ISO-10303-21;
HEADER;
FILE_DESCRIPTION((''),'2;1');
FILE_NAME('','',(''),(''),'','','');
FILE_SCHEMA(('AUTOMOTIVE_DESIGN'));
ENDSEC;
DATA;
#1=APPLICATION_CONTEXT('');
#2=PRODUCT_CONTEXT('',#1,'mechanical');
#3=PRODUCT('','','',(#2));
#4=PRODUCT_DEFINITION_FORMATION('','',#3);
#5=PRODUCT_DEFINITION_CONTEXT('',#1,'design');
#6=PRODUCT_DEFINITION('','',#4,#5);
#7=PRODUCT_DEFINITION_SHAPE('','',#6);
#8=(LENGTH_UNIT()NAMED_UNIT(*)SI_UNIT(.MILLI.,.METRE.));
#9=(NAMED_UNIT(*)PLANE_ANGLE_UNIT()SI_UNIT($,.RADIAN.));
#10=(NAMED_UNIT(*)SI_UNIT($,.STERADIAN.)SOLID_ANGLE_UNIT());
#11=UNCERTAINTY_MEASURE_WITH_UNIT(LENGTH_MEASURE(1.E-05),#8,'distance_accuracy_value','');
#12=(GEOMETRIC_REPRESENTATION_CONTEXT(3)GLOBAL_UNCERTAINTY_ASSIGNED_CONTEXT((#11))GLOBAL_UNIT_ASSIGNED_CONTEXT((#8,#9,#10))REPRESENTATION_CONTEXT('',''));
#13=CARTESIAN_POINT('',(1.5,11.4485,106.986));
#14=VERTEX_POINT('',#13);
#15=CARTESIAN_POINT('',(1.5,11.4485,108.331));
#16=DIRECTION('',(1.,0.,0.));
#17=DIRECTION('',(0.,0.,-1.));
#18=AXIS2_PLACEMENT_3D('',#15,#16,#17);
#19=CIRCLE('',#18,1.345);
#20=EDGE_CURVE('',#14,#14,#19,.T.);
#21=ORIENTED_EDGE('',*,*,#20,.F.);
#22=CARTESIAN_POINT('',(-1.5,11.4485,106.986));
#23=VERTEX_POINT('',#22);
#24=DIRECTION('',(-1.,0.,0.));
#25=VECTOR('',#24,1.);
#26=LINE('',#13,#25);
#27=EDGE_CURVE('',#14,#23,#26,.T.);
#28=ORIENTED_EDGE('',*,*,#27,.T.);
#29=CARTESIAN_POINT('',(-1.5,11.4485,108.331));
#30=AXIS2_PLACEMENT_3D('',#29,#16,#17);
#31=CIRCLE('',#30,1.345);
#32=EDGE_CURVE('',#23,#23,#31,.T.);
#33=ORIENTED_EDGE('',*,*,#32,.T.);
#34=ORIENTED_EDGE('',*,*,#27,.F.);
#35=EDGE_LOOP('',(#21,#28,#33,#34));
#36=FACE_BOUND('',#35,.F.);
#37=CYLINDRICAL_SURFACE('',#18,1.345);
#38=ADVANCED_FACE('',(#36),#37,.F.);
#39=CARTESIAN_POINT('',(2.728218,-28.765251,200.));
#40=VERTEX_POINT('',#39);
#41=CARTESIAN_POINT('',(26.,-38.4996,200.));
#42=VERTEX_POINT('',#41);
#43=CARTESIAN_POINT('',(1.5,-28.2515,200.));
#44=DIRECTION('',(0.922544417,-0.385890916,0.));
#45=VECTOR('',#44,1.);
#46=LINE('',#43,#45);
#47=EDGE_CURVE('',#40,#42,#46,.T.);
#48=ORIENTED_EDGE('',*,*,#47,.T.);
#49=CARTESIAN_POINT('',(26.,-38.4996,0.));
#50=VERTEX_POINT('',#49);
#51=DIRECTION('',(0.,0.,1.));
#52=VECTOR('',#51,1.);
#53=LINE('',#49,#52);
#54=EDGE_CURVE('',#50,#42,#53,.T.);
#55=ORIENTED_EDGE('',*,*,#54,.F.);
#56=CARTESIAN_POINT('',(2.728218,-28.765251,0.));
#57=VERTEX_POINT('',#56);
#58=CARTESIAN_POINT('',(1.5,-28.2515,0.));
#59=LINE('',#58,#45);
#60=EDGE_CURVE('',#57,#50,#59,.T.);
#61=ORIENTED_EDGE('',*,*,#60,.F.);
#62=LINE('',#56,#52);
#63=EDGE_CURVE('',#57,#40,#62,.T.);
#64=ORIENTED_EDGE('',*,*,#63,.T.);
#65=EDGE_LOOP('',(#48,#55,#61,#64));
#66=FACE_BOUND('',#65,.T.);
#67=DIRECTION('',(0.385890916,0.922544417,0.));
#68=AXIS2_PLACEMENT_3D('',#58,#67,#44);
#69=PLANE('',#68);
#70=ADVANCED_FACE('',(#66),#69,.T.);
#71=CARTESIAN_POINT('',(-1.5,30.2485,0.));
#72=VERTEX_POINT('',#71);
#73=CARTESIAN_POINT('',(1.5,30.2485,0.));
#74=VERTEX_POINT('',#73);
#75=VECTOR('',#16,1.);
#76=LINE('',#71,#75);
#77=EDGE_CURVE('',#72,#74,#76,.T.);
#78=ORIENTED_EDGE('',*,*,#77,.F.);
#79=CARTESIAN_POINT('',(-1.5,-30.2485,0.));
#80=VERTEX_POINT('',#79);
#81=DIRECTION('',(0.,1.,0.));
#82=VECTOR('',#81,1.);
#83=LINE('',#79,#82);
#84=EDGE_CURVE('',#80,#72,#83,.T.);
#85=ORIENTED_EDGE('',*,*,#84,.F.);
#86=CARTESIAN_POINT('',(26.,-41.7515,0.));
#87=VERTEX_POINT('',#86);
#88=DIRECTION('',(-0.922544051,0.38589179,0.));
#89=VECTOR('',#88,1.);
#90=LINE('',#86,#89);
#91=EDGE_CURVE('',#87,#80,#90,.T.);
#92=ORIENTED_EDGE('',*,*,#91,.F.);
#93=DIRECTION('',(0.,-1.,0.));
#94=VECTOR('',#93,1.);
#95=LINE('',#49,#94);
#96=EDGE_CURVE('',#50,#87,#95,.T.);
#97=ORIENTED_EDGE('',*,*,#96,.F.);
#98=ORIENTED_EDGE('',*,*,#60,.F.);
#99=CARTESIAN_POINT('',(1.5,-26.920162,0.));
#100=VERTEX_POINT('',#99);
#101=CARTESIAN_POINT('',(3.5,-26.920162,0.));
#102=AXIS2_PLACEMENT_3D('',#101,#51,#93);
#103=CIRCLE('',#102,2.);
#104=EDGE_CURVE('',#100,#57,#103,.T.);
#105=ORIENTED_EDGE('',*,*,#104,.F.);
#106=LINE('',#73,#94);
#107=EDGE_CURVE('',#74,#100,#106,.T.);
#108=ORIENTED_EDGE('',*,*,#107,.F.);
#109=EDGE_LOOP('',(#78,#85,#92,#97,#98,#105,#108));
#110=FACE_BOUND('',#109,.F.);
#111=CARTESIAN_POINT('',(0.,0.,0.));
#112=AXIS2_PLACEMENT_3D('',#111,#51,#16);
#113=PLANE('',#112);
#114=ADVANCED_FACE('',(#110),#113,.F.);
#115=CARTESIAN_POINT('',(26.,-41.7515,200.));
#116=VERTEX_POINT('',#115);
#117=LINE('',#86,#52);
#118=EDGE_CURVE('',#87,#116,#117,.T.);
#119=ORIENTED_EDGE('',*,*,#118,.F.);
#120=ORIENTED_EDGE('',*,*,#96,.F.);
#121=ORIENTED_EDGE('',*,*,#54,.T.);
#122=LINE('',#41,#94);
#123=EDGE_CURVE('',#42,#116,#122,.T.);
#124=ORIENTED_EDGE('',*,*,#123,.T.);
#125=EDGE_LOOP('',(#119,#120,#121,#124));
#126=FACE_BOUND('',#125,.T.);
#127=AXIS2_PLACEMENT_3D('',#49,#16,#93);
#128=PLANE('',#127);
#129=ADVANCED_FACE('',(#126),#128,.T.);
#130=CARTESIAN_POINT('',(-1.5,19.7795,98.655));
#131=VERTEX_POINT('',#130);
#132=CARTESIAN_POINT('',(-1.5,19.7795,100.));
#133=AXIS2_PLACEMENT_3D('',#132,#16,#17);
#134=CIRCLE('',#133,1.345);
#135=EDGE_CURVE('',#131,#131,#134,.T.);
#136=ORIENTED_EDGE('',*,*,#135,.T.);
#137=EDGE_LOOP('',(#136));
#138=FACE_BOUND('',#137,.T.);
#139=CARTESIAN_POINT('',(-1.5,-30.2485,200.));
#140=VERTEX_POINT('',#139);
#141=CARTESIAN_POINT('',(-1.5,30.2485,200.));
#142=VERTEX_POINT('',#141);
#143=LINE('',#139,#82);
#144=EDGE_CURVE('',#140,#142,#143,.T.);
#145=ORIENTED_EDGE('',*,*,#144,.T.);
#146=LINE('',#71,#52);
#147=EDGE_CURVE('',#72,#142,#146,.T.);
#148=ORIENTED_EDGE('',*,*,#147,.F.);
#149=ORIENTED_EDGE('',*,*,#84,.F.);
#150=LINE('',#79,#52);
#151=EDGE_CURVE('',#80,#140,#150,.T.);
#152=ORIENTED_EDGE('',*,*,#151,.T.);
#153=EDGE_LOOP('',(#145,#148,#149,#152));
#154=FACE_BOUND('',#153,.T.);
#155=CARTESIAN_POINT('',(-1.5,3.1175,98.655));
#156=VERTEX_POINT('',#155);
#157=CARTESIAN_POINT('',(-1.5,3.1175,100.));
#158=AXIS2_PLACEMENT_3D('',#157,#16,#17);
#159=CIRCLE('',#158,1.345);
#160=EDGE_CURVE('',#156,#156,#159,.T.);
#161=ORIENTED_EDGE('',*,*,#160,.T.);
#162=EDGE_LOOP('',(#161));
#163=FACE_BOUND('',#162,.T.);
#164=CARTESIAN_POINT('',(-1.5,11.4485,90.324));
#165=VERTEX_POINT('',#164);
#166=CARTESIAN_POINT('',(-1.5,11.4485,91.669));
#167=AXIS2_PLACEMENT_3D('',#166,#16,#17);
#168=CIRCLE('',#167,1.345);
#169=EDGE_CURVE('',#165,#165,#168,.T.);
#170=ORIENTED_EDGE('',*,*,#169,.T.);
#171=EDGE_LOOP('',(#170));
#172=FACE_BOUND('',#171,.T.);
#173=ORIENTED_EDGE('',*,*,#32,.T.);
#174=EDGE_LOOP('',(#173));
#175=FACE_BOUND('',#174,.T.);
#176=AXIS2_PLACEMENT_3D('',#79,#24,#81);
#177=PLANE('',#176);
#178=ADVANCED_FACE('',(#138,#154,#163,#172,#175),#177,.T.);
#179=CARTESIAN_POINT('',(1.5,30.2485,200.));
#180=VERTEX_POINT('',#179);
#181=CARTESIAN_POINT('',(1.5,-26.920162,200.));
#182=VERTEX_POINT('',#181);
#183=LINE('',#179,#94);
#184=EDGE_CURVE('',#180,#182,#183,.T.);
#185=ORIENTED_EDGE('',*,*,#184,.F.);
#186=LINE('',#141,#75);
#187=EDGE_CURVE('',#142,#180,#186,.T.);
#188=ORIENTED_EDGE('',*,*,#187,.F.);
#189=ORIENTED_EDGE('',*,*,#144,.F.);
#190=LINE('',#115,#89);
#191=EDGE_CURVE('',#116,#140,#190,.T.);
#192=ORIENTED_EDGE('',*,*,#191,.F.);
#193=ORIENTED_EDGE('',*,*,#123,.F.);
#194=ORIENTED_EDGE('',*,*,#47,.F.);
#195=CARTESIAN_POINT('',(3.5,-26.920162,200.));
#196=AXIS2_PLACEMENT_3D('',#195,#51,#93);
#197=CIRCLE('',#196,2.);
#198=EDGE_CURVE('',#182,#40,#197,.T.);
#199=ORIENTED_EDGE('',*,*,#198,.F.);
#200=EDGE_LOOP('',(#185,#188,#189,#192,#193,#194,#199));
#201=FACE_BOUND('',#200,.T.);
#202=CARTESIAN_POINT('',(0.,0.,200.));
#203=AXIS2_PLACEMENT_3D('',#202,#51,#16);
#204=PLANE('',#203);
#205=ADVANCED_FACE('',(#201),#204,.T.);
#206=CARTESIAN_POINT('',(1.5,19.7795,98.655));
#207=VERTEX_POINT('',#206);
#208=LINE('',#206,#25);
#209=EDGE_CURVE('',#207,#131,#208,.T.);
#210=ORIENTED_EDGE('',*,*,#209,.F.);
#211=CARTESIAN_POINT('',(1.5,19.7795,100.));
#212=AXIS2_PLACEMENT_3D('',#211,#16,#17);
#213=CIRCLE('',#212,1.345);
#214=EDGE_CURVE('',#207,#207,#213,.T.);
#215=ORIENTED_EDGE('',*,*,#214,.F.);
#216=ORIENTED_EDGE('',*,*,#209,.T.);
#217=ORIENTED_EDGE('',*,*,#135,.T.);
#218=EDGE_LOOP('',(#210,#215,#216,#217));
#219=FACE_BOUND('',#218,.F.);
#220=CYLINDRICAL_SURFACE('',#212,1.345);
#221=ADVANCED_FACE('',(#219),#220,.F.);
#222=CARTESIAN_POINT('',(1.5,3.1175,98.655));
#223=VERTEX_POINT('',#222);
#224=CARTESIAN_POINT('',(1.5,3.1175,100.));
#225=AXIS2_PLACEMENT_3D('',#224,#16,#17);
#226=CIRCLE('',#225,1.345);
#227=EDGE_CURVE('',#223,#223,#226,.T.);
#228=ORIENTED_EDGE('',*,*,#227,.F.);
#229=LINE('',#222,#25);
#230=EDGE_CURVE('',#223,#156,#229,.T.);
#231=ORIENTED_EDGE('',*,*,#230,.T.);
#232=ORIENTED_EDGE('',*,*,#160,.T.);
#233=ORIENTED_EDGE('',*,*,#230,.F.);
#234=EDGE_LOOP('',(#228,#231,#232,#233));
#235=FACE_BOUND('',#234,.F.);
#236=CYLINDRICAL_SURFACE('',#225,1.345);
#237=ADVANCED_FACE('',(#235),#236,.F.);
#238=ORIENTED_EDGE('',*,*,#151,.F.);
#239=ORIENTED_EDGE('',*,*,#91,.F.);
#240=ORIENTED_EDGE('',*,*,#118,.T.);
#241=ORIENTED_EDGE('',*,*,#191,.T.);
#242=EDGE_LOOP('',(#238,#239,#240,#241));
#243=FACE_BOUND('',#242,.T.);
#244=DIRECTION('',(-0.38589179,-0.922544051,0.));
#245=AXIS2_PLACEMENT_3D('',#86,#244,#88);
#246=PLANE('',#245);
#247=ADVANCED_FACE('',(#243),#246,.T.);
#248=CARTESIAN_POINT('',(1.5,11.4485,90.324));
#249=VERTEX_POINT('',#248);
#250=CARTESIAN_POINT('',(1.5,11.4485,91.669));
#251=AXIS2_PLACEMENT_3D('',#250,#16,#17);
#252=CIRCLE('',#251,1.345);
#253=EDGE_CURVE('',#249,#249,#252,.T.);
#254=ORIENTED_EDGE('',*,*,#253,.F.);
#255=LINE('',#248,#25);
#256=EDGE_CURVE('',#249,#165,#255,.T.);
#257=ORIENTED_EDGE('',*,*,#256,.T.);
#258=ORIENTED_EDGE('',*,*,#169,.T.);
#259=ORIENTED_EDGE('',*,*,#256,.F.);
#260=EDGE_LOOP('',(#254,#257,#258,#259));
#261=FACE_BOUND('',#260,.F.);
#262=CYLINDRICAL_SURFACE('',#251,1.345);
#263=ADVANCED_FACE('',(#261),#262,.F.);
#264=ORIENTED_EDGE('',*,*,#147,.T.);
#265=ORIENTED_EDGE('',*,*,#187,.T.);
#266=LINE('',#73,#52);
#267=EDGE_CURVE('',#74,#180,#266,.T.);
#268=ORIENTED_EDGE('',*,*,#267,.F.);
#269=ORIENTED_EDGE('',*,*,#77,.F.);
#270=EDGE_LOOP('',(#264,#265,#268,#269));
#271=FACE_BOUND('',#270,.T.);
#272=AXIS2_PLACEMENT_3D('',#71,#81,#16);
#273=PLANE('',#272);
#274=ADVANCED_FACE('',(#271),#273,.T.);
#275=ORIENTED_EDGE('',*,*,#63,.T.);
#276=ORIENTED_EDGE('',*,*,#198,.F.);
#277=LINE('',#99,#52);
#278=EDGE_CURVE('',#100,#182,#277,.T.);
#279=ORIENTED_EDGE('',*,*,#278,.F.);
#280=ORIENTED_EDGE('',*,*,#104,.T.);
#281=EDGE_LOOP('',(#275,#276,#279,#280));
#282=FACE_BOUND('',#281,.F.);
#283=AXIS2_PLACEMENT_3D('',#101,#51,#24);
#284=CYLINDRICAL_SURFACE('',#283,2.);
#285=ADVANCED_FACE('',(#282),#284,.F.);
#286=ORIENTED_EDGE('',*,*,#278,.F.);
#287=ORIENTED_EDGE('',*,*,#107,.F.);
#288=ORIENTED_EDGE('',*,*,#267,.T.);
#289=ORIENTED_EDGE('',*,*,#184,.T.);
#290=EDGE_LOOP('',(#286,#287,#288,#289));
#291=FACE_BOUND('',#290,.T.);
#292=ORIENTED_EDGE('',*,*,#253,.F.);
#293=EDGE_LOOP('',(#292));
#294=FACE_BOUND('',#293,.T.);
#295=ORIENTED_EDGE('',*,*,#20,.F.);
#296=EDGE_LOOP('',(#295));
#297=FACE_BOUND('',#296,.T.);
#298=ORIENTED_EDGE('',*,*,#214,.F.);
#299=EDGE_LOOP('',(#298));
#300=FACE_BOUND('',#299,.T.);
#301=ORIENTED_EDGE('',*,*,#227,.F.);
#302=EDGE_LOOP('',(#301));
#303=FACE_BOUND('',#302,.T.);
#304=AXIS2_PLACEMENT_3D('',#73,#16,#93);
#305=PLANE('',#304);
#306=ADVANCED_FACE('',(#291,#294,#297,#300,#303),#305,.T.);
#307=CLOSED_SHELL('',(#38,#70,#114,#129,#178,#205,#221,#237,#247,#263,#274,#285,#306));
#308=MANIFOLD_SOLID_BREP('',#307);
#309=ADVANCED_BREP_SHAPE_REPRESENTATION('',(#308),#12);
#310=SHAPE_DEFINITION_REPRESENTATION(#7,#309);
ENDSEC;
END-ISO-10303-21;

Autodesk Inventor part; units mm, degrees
ref_plane "YZ Plane" through (0, 0, 0) normal (1, 0, 0) x (0, 1, 0)
ref_plane "XZ Plane" through (0, 0, 0) normal (0, 1, 0) x (-1, 0, 0)
ref_plane "XY Plane" through (0, 0, 0) normal (0, 0, 1) x (1, 0, 0)
sketch "Sketch3" plane through (0, 0, 0) normal (0, 0, 1) x (1, 0, 0)
  line L0 (-1.5, 30.2485) -> (1.5, 30.2485)
  line L1 (1.5, 30.2485) -> (1.5, -30.2485)
  line L2 (1.5, -30.2485) -> (-1.5, -30.2485)
  line L3 (-1.5, -30.2485) -> (-1.5, 30.2485)
  line L4 (1.5, -28.2515) -> (26, -38.4996)
  line L5 (26, -38.4996) -> (26, -41.7515)
  line L6 (26, -41.7515) -> (-1.5, -30.2485)
  point P0 (0, 0)
  point P1 (0, 30.2485)
  point P2 (1.5, 0)
  dimension "d20" = 3
  dimension "d26" = 24.5
  dimension "d39" = 3
  dimension "d41" = 58.5
  dimension "d43" = 72
extrude "Extrusion3" add sketch "Sketch3" along normal blind 200
sketch "Sketch4" plane through (1.5, -28.2515, 0) normal (1, 0, 0) x (0, 0, -1)
  circle A0 centre (-100, 48.031) radius 1.345
  circle A1 centre (-100, 31.369) radius 1.345
  circle A2 centre (-91.669, 39.7) radius 1.345
  circle A3 centre (-108.331, 39.7) radius 1.345
  line L0 (0, 58.5) -> (0, 0) projected
  line L1 (0, 58.5) -> (-200, 58.5) projected
  line L2 (-200, 0) -> (-200, 58.5) projected
  line L3 (0, 0) -> (-200, 0) projected
  point P0 (-100, 58.5)
  dimension "d28" = 2.69
  dimension "d30" = 8.331
  dimension "d31" = 8.331
  dimension "d32" = 8.331
  dimension "d33" = 8.331
  dimension "d34" = 16.662
  dimension "d35" = 16.662
  dimension "d36" = 10.469
extrude "Extrusion4" cut sketch "Sketch4" against normal through all contours A0 | A1 | A2 | A3
fillet "Fillet1" radius 2 1 edges at (1.5, -28.2515, 100)
equation "\"d31\" = d30"
equation "\"d32\" = d30"
equation "\"d33\" = d30"
equation "\"d35\" = d34"
properties part number "FlatPlow"
